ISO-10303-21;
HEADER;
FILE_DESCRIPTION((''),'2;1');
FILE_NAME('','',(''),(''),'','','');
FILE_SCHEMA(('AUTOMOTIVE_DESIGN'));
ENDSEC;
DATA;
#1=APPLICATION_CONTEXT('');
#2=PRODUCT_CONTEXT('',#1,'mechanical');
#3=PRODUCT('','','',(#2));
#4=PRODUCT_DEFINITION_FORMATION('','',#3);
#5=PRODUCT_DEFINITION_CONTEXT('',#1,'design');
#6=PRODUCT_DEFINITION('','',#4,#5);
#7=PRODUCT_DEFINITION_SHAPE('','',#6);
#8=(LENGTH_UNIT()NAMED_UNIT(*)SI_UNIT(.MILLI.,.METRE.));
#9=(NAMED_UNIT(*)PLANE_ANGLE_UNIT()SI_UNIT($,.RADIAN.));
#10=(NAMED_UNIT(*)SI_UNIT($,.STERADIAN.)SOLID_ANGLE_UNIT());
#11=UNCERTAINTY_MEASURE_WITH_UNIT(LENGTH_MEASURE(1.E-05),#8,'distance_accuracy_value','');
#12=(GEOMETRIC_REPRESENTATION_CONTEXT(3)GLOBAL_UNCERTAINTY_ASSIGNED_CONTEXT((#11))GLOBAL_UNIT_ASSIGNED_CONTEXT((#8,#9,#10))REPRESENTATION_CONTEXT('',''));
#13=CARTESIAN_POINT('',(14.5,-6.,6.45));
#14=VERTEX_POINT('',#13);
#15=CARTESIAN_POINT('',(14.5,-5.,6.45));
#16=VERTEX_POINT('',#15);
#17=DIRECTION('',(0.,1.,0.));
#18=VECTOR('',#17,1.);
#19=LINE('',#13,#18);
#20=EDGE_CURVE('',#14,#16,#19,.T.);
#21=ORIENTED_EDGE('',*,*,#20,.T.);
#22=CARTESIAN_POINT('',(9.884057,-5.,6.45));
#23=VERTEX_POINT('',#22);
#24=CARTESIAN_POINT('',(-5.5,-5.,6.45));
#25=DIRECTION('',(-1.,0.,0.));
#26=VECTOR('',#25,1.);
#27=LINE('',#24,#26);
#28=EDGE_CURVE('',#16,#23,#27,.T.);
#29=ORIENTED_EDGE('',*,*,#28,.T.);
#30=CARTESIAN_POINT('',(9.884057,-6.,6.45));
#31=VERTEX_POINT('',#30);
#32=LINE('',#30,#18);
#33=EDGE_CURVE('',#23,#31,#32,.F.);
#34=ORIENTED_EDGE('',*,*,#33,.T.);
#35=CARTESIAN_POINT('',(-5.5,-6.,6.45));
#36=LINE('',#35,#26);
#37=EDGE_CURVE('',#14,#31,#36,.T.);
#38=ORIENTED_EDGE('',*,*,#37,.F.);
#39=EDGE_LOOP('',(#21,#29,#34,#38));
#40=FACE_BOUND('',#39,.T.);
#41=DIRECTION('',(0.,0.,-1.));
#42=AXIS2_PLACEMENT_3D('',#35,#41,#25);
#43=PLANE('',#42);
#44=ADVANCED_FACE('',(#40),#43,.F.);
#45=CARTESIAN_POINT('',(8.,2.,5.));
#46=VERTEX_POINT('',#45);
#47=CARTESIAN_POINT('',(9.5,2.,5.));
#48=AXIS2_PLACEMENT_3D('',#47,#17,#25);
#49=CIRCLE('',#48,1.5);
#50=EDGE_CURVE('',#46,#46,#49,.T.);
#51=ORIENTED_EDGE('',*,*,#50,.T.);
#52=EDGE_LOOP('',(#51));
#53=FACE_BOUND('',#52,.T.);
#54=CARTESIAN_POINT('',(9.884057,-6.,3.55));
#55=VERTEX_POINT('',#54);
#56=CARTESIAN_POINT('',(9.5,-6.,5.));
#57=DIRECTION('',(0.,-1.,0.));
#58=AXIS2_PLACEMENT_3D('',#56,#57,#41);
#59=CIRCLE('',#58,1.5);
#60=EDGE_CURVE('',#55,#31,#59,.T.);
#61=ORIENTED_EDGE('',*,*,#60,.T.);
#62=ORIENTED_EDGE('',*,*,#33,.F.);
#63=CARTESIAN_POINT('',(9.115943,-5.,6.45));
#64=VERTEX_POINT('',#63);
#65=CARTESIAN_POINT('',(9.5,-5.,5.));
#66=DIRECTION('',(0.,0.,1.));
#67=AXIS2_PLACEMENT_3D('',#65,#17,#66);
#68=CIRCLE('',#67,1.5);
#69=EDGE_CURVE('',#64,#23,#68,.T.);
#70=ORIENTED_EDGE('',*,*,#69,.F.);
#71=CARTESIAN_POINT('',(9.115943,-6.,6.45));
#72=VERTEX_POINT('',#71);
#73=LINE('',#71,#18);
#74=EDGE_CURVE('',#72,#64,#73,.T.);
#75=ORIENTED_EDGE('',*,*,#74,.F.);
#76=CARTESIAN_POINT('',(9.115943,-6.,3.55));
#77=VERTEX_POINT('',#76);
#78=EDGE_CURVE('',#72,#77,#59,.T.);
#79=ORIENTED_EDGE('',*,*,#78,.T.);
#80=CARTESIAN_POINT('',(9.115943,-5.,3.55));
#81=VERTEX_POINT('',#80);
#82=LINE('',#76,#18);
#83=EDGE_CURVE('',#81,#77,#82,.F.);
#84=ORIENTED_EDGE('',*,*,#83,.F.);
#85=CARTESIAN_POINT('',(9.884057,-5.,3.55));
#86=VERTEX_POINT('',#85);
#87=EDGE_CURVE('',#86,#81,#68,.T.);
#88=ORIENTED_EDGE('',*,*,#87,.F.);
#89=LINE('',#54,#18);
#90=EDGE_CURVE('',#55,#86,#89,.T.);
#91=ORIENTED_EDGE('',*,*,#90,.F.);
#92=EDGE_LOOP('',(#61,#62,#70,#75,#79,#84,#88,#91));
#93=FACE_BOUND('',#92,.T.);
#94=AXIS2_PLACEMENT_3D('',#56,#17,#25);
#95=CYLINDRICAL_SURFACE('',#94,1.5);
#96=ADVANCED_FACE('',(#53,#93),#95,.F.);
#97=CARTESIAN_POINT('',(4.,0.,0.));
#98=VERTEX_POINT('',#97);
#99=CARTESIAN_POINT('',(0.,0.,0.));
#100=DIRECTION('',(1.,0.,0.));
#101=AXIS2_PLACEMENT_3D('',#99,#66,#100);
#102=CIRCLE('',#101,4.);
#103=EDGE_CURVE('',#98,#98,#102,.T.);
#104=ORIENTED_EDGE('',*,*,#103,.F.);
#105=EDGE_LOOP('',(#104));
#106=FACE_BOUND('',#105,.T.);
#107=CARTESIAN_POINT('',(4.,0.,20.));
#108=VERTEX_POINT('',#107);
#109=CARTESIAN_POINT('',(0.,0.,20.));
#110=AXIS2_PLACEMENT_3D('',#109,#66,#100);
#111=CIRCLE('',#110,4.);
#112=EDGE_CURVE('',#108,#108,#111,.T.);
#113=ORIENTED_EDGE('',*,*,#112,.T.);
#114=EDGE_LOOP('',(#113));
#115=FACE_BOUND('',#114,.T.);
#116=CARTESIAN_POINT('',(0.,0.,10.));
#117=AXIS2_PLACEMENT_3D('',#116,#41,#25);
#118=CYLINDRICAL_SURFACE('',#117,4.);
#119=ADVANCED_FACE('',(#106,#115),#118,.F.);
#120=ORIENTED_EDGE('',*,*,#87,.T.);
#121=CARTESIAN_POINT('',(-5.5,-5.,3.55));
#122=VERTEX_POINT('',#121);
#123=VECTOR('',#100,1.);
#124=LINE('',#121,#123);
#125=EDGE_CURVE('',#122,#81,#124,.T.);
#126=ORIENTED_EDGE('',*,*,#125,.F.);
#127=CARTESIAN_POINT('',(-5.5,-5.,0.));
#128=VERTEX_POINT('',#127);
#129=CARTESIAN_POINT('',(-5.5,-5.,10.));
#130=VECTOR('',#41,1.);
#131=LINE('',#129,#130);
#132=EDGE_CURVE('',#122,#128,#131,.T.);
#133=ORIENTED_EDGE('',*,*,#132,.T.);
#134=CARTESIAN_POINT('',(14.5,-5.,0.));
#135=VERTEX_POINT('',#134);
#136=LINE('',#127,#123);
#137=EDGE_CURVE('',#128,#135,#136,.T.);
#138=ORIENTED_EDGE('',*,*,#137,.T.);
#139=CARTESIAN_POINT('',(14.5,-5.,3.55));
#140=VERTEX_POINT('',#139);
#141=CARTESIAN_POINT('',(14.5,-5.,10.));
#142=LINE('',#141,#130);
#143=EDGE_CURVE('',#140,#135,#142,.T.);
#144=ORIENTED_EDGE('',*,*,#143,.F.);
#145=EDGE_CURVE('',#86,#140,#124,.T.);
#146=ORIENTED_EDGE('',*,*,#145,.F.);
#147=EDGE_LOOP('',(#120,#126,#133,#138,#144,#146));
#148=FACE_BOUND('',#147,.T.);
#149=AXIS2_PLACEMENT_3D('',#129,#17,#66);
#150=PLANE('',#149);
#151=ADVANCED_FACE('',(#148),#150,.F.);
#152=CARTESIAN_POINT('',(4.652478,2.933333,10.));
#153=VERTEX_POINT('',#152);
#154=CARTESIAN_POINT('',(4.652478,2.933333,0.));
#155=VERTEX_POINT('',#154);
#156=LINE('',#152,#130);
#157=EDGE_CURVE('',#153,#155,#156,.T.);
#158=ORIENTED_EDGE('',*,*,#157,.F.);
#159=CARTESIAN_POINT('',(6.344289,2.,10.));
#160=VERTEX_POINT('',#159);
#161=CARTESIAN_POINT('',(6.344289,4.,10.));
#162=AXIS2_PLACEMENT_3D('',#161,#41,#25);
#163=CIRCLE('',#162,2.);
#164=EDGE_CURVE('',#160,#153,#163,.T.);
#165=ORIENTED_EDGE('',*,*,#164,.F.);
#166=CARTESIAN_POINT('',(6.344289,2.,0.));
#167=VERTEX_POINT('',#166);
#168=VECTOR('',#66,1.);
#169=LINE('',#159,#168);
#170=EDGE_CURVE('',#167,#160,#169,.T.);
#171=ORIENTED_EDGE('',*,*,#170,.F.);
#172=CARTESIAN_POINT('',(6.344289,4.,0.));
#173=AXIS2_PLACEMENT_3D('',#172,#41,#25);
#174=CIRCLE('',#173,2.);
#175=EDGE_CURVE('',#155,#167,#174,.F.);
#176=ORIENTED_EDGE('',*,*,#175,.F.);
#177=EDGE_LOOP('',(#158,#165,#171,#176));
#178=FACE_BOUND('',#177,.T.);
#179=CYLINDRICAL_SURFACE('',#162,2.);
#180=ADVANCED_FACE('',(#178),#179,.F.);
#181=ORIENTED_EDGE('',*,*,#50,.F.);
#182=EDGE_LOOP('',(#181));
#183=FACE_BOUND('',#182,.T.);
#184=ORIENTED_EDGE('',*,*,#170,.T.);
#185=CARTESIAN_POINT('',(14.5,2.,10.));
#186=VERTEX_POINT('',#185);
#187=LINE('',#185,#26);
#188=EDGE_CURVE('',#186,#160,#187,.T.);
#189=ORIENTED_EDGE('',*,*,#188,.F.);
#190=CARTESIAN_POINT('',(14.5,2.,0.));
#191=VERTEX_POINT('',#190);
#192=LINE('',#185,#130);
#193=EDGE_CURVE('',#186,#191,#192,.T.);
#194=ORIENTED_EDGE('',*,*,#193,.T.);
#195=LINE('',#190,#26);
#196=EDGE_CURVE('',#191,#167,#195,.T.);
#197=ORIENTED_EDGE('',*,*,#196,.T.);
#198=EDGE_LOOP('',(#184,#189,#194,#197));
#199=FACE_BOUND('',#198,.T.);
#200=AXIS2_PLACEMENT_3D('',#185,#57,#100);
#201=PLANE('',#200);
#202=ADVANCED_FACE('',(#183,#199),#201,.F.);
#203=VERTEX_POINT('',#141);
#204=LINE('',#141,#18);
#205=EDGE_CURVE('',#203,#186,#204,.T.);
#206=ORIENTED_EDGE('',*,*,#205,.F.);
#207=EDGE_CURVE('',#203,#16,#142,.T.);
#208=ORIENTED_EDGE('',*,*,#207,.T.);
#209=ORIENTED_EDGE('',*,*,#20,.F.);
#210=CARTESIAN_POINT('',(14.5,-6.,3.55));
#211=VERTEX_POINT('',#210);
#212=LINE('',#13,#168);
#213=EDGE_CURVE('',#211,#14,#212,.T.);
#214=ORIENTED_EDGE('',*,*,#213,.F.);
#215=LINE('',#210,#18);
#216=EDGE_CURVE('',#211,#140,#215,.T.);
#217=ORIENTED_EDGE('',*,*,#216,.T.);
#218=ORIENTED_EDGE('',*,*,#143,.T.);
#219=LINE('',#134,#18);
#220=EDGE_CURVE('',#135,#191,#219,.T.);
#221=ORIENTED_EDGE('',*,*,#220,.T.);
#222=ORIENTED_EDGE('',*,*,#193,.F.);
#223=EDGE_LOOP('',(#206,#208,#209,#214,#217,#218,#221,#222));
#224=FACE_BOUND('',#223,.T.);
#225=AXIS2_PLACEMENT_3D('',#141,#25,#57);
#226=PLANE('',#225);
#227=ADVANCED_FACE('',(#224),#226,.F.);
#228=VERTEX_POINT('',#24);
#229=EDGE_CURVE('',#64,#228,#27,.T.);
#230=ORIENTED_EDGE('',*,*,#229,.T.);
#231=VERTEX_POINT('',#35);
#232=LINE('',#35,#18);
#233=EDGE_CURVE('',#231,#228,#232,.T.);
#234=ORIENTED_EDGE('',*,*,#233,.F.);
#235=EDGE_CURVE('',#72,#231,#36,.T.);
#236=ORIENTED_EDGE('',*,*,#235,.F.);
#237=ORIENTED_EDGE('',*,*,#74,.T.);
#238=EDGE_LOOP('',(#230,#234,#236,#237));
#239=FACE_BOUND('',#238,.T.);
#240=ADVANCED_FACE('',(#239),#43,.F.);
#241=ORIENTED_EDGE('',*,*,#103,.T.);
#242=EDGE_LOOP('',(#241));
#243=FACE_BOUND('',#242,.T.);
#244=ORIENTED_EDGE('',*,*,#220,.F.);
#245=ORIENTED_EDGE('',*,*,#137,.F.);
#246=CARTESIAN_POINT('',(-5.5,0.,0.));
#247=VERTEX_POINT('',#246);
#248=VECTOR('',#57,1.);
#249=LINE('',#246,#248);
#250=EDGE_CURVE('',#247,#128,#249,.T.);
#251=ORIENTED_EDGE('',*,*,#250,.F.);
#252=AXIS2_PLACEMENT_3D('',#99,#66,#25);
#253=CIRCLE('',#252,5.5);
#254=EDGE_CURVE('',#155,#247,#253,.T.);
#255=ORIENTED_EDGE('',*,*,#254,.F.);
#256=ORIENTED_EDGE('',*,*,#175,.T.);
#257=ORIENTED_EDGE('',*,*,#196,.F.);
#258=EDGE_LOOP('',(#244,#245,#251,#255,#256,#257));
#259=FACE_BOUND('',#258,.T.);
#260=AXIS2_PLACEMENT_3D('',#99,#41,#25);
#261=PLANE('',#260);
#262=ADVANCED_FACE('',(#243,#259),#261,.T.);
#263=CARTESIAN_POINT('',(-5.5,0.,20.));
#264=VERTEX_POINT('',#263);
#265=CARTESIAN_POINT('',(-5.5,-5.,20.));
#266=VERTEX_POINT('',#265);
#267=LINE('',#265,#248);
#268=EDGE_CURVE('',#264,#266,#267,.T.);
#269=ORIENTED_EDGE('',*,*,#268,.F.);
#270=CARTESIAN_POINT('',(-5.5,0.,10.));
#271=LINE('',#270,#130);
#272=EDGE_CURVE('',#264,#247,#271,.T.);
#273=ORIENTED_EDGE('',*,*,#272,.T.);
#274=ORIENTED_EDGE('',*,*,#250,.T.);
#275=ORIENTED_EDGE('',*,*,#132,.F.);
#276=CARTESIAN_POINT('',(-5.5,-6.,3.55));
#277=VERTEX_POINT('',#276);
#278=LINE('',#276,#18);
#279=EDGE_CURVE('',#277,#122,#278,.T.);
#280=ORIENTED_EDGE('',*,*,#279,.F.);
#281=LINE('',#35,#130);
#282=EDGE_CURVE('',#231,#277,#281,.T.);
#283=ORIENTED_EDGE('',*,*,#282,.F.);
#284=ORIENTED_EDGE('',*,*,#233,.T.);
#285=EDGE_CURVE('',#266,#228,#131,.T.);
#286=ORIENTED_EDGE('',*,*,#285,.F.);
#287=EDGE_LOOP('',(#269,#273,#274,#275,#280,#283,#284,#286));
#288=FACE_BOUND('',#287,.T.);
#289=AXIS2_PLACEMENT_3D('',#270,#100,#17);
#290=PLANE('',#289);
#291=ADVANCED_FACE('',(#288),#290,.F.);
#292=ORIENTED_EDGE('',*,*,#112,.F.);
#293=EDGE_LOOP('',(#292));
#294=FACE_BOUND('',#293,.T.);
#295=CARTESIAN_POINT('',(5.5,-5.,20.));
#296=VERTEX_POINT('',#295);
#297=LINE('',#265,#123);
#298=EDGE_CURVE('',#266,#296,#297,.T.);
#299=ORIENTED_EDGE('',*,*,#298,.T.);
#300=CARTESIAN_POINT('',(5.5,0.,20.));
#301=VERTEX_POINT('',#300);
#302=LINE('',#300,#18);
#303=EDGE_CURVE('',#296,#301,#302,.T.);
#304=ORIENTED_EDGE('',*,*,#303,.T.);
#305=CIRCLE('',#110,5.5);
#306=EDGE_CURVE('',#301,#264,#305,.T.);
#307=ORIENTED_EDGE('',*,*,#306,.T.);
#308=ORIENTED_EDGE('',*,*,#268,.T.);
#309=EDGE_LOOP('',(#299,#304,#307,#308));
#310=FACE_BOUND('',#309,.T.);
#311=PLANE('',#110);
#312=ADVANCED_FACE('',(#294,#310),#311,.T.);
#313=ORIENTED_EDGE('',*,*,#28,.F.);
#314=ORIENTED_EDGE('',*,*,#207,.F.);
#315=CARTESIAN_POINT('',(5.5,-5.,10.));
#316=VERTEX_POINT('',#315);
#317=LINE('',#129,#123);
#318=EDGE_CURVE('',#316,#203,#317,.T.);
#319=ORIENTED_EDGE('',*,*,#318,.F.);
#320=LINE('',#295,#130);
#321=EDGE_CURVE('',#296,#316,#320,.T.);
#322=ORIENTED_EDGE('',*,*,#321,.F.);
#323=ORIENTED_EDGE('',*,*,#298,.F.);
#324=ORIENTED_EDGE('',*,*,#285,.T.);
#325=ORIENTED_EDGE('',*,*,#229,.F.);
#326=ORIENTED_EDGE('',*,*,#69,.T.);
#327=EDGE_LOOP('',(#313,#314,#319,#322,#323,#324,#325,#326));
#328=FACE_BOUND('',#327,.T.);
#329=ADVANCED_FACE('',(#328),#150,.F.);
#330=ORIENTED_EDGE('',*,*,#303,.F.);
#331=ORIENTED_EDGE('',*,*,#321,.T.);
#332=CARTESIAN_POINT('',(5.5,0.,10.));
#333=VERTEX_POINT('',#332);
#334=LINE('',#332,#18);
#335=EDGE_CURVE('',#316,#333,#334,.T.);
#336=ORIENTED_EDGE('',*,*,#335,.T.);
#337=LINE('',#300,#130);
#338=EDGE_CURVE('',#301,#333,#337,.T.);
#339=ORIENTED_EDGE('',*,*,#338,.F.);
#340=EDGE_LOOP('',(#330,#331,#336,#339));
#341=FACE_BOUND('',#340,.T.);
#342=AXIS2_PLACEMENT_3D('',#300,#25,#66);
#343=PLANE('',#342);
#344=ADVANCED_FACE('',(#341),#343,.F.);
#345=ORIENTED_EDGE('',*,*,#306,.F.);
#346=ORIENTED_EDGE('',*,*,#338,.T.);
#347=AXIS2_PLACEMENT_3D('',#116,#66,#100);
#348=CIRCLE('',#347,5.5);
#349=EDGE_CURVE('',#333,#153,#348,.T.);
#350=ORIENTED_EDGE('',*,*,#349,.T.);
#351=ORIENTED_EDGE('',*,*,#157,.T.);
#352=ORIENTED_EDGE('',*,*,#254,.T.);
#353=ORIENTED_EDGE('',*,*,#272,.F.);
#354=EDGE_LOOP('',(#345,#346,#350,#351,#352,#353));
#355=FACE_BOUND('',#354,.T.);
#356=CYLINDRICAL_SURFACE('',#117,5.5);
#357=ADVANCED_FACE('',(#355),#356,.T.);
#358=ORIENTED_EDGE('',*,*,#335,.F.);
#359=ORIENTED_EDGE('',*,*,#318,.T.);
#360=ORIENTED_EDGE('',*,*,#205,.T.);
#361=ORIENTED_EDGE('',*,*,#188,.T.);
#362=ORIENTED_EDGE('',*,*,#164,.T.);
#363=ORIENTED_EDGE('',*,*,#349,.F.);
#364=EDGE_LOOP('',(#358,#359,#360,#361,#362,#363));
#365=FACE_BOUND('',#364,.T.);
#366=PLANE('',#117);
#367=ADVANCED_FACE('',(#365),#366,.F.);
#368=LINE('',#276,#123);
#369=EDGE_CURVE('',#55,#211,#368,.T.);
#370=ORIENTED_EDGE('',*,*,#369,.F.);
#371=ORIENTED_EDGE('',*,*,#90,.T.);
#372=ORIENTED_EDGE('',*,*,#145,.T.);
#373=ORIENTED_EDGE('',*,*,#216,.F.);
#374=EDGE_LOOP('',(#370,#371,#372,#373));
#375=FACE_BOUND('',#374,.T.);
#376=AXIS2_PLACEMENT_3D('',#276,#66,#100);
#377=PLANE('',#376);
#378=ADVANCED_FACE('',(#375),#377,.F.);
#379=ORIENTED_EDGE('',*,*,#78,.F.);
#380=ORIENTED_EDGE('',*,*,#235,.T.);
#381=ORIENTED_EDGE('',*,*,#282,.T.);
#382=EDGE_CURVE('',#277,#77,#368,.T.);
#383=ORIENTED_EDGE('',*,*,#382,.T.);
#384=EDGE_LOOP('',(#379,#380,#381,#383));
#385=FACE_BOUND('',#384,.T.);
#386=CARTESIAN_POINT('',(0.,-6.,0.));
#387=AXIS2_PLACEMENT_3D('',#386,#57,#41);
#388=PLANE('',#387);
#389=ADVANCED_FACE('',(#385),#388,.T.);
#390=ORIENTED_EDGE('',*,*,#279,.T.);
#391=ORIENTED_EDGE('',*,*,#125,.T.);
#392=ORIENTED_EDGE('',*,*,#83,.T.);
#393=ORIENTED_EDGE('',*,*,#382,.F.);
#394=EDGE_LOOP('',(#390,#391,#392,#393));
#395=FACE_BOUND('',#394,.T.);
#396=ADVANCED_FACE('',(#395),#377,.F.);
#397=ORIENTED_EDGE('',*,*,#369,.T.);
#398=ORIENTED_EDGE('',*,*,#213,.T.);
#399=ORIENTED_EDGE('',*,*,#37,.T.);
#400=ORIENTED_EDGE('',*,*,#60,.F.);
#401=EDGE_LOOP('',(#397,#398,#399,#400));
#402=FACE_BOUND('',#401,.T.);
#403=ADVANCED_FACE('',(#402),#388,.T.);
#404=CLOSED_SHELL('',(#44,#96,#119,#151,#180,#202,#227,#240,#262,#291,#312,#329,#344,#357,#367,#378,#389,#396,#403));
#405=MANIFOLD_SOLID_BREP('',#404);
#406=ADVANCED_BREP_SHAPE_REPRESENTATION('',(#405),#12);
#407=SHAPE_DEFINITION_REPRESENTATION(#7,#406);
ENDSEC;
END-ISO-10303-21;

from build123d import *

# Parameters (mm, degrees)
SKETCH1_R                       = 4
MAIN_DEPTH                      = 10
SKETCH3_W                       = 20
SKETCH3_H                       = 2.9
MAKERBEAMRECTANGULARGUIDE_DEPTH = 1
SKETCH4_R                       = 1.5
MAKERBEAMFIXHOLE_DEPTH          = 9
FILLET1_R                       = 2
SKETCH5_R                       = 4
BOSS_EXTRUDE1_DEPTH             = 10


with BuildPart() as part:
    # Sketch1 → Main (new body)
    with BuildSketch(Plane.XY):
        with BuildLine():
            Line((-5.5, 0), (-5.5, -5))
            Line((-5.5, -5), (14.5, -5))
            Line((14.5, -5), (14.5, 2))
            Line((14.5, 2), (5.123475383, 2))
            ThreePointArc((5.123475383, 2), (-1.017567048, 5.405049242), (-5.5, 0))
        make_face()
        Circle(SKETCH1_R, mode=Mode.SUBTRACT)
    extrude(amount=MAIN_DEPTH)

    # Sketch3 → MakerBeamRectangularGuide (add)
    with BuildSketch(Plane(origin=(0, -5, 0), x_dir=(-1, 0, 0), z_dir=(0, -1, 0))):
        with Locations((-4.5, -5)):
            Rectangle(SKETCH3_W, SKETCH3_H)
    extrude(amount=MAKERBEAMRECTANGULARGUIDE_DEPTH)

    # Sketch4 → MakerBeamFixHole (cut, through all)
    with BuildSketch(Plane(origin=(0, 2, 0), x_dir=(1, 0, 0), z_dir=(0, 1, 0))):
        with Locations((9.5, -5)):
            Circle(SKETCH4_R)
    extrude(amount=-MAKERBEAMFIXHOLE_DEPTH, mode=Mode.SUBTRACT)

    # Fillet1
    fillet1_edges = [part.edges().sort_by_distance(p)[0] for p in [
        (5.123475383, 2, 5),
    ]]
    fillet(fillet1_edges, radius=FILLET1_R)

    # Sketch5 → Boss-Extrude1 (add)
    with BuildSketch(Plane.XY.offset(10)):
        with BuildLine():
            Line((-5.5, -5), (5.5, -5))
            Line((5.5, -5), (5.5, 0))
            ThreePointArc((5.5, 0), (0, 5.5), (-5.5, 0))
            Line((-5.5, 0), (-5.5, -5))
        make_face()
        Circle(SKETCH5_R, mode=Mode.SUBTRACT)
    extrude(amount=BOSS_EXTRUDE1_DEPTH)


solid = part.part
